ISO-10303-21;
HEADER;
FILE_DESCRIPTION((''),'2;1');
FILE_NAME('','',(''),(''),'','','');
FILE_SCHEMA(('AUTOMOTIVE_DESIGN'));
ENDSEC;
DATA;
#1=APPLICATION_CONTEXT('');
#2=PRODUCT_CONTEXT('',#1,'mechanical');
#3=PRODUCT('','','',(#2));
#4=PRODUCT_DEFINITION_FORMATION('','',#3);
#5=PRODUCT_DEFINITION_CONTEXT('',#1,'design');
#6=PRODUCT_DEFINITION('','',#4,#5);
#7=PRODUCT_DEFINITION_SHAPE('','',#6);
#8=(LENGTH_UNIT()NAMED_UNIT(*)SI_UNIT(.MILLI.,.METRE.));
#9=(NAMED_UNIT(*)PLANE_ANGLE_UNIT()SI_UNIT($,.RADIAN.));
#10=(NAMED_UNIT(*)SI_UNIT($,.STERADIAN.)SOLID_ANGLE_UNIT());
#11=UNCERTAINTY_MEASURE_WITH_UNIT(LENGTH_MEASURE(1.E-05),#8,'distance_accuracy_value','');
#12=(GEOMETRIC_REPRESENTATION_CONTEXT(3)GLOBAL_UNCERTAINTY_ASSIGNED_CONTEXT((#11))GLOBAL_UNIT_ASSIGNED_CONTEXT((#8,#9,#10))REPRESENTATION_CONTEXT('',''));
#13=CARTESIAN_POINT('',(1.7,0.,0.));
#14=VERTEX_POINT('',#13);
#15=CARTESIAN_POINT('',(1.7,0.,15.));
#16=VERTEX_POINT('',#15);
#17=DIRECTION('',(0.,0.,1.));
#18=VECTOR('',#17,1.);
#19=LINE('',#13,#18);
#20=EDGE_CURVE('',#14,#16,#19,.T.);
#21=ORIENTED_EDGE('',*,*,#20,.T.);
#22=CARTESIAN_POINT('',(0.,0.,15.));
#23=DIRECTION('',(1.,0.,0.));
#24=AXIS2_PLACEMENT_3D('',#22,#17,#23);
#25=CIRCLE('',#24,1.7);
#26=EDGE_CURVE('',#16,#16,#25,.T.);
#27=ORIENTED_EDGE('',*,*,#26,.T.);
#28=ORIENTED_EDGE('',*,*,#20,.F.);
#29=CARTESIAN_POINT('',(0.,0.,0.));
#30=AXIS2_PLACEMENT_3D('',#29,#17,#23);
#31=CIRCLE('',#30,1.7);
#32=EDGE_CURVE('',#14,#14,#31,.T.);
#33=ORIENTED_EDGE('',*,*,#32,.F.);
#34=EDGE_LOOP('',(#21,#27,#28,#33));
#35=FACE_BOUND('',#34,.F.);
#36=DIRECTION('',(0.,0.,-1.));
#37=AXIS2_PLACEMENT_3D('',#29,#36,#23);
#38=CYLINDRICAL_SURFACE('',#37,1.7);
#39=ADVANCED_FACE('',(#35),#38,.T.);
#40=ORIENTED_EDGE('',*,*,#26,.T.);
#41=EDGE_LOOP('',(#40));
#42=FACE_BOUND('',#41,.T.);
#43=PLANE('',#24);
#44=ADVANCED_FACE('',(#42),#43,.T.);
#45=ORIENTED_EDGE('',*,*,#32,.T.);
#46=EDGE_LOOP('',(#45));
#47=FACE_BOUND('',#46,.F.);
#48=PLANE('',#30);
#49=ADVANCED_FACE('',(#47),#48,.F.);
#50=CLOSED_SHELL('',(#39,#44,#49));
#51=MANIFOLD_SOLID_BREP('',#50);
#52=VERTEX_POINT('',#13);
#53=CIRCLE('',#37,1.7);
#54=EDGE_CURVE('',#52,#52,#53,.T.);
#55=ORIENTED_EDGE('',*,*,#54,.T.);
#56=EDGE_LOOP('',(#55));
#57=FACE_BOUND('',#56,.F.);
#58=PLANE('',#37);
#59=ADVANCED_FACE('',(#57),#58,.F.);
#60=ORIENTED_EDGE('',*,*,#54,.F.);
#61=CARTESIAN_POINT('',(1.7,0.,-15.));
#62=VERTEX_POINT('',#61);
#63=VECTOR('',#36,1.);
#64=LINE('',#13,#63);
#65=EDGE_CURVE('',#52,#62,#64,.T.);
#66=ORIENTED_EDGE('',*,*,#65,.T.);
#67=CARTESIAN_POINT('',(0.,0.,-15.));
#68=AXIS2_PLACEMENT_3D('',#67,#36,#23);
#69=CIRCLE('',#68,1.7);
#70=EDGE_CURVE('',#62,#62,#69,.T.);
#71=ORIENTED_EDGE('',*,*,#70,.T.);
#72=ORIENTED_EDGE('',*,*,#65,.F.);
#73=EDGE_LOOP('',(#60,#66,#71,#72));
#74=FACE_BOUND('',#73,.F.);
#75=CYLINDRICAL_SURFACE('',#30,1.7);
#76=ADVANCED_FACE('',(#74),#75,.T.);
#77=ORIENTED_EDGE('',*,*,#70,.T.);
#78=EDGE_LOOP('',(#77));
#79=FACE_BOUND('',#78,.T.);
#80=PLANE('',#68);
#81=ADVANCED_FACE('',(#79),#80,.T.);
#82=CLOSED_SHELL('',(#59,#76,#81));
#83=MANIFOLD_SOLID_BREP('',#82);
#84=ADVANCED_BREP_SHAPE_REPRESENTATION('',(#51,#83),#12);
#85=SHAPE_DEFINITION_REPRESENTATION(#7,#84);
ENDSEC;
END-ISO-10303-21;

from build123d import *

# Parameters (mm, degrees)
CYLINDER_R        = 1.7
CYLINDER_DEPTH    = 15
CYLINDER001_R     = 1.7
CYLINDER001_DEPTH = 15


with BuildPart() as hole_3_4mm:
    # Cylinder → Cylinder (new body)
    with BuildSketch(Plane.XY):
        Circle(CYLINDER_R)
    extrude(amount=CYLINDER_DEPTH)


with BuildPart() as hole_3_4mm_rev:
    # Cylinder001 → Cylinder001 (new body)
    with BuildSketch(Plane(origin=(0, 0, 0), x_dir=(1, 0, 0), z_dir=(0, 0, -1))):
        Circle(CYLINDER001_R)
    extrude(amount=CYLINDER001_DEPTH)


solid = Compound([hole_3_4mm.part, hole_3_4mm_rev.part])
